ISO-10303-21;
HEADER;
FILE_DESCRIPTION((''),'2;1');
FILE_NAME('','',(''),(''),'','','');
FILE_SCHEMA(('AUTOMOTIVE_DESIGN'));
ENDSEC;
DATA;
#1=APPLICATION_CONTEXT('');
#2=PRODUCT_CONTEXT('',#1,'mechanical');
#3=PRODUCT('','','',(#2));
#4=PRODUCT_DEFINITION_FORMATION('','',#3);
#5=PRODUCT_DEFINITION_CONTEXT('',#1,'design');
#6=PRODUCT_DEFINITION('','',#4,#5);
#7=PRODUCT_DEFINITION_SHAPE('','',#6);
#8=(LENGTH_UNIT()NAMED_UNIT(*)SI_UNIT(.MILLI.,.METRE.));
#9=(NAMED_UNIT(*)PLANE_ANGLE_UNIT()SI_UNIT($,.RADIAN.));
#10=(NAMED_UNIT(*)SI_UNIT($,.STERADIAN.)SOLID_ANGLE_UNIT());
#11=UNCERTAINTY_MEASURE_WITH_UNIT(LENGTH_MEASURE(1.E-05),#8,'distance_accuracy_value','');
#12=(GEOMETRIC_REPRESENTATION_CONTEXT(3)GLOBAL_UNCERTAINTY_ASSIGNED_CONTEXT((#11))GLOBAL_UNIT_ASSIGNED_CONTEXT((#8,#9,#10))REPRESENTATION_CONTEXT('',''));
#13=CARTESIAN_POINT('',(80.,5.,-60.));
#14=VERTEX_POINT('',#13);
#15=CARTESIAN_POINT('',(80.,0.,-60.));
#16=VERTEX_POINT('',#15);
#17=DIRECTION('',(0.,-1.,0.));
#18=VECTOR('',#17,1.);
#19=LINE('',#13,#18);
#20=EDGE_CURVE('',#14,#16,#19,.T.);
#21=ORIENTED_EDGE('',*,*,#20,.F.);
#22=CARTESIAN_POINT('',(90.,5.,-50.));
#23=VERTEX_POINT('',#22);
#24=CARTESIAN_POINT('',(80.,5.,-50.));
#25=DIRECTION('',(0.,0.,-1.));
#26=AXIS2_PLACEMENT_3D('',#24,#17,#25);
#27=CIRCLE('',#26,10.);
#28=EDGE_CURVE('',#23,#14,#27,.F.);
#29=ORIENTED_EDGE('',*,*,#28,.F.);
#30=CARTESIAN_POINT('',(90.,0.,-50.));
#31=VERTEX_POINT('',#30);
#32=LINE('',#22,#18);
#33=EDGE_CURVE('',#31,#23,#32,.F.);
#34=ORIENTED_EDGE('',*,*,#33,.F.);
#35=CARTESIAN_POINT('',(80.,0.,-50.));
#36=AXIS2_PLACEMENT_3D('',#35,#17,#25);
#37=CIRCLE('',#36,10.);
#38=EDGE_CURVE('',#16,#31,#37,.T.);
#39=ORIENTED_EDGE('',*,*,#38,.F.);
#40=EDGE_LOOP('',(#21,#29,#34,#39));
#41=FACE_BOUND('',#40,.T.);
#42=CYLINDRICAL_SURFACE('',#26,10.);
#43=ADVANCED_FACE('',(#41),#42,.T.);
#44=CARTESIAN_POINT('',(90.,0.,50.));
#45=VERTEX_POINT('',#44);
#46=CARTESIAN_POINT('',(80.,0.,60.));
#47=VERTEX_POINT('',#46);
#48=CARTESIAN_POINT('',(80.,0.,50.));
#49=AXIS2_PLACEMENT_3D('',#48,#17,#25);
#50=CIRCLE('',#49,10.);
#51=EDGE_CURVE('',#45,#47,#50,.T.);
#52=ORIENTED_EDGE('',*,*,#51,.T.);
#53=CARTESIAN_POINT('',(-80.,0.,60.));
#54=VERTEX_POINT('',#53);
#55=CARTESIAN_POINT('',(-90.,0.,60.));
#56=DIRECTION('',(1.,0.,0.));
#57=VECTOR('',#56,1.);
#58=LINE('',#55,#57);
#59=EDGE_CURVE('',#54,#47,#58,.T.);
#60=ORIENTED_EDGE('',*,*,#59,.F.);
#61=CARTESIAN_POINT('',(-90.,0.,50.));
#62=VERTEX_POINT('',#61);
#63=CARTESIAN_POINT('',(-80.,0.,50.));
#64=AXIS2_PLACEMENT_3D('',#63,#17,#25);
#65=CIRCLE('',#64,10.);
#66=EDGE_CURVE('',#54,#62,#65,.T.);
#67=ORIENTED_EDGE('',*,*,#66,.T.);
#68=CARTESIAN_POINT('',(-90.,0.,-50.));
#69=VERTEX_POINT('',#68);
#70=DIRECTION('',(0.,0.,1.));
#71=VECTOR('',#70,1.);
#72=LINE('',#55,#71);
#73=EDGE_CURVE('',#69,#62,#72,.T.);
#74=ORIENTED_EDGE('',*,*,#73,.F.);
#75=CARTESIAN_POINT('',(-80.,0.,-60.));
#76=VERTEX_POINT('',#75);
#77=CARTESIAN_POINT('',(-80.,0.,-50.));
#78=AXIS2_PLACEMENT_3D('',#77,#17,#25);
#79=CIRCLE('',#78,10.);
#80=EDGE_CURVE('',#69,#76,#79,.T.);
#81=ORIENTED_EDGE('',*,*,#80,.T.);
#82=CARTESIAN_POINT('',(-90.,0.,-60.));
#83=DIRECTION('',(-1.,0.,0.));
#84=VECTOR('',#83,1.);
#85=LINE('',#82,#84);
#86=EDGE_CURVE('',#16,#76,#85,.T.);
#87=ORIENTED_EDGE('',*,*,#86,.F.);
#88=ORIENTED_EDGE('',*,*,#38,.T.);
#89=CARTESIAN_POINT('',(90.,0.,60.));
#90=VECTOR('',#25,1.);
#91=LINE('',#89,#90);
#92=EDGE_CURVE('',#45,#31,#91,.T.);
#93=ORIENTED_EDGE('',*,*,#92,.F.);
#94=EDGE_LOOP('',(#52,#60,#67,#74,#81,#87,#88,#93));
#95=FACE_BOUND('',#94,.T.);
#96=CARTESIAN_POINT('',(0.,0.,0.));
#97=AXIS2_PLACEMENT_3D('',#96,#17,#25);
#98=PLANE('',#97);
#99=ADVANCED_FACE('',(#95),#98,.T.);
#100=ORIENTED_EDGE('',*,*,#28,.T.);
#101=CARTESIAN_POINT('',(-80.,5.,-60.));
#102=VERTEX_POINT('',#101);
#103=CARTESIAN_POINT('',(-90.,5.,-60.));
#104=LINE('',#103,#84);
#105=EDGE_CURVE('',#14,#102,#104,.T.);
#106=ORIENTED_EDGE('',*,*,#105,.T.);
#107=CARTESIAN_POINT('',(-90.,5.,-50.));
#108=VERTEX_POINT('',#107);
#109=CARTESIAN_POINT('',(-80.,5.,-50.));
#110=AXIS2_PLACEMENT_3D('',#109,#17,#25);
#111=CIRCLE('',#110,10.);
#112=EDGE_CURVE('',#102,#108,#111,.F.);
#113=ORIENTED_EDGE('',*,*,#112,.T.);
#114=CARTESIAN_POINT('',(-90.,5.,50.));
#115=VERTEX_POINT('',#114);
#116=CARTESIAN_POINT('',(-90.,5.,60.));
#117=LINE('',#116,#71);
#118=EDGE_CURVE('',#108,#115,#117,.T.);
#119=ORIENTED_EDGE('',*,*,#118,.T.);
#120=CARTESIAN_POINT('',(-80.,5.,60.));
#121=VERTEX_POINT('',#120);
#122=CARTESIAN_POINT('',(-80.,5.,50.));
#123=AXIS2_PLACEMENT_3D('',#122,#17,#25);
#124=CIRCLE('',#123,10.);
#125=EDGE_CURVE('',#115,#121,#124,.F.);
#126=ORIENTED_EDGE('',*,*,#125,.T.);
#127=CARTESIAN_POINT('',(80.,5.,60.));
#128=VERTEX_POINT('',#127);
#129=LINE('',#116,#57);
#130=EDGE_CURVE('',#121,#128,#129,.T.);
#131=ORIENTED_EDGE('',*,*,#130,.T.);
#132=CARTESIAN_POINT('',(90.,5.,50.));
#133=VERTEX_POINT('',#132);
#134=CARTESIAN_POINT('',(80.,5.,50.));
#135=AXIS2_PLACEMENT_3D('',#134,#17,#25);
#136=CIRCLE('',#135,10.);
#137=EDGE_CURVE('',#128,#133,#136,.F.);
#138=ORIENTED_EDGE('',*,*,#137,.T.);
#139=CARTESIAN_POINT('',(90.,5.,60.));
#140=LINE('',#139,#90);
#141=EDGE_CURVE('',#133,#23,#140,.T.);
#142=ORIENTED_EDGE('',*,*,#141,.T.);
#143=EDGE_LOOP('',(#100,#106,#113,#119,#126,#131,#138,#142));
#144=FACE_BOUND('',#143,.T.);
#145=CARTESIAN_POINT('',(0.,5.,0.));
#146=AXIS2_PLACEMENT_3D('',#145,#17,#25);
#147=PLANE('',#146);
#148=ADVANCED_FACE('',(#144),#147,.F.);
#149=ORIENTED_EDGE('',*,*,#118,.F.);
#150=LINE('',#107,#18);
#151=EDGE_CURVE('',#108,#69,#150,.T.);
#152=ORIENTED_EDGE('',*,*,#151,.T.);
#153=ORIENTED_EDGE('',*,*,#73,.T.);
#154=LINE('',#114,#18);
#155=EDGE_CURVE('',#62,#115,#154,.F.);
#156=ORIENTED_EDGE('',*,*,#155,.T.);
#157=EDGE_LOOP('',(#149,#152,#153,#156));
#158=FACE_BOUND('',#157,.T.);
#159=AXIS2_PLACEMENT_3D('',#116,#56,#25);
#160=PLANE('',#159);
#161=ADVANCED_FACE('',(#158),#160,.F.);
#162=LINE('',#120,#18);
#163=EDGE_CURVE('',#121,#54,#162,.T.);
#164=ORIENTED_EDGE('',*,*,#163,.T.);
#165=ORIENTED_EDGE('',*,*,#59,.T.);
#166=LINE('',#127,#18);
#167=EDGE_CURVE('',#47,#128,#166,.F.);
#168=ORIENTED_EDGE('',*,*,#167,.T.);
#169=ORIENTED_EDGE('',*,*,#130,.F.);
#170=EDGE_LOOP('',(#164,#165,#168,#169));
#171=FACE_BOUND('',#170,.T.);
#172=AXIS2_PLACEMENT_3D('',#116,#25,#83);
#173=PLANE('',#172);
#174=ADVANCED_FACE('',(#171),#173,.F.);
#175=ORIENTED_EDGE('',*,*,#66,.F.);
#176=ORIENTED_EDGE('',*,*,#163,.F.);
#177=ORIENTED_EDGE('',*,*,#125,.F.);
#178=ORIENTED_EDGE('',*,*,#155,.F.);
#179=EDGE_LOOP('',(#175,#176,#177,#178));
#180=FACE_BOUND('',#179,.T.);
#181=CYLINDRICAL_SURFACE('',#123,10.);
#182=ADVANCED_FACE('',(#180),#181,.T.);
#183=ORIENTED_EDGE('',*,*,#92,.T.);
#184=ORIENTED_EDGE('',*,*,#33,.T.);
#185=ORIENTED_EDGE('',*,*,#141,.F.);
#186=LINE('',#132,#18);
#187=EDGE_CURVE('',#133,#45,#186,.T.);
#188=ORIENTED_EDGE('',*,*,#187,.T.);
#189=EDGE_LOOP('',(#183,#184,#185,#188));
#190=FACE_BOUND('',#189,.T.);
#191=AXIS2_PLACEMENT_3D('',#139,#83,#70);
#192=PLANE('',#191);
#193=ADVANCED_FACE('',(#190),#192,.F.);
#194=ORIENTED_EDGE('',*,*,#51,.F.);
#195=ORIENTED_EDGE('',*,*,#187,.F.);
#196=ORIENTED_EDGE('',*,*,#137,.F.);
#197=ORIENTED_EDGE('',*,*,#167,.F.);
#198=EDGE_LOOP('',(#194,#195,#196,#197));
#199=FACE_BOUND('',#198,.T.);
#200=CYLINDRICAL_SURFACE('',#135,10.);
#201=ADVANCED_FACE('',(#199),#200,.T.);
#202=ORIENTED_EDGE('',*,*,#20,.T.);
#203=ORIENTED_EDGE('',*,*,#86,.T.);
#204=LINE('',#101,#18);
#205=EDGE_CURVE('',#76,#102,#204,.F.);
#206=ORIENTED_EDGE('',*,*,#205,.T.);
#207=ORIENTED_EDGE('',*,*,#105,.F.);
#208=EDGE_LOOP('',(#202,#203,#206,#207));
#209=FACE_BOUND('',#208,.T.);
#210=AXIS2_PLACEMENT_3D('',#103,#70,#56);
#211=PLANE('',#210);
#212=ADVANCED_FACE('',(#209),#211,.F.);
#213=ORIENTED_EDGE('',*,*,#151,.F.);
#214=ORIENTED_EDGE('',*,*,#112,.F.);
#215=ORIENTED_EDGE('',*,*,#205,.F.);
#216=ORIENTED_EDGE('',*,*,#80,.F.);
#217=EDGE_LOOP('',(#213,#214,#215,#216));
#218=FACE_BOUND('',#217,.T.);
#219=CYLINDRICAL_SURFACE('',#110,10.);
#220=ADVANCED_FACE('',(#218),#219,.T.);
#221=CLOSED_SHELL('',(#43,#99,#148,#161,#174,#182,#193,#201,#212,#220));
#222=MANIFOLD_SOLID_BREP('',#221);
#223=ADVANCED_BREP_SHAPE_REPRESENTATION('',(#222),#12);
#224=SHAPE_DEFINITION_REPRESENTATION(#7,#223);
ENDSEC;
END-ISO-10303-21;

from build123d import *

# Parameters (mm, degrees)
SKETCH1_W           = 180
SKETCH1_H           = 120
BOSS_EXTRUDE1_DEPTH = 5
FILLET1_R           = 10
FILLET2_R           = 10
FILLET3_R           = 10
FILLET4_R           = 10


with BuildPart() as part:
    # Sketch1 → Boss-Extrude1 (new body)
    with BuildSketch(Plane(origin=(0, 0, 0), x_dir=(1, 0, 0), z_dir=(0, 1, 0))):
        Rectangle(SKETCH1_W, SKETCH1_H)
    extrude(amount=BOSS_EXTRUDE1_DEPTH)

    # Fillet1
    fillet1_edges = [part.edges().sort_by_distance(p)[0] for p in [
        (-90, 2.5, -60),
    ]]
    fillet(fillet1_edges, radius=FILLET1_R)

    # Fillet2
    fillet2_edges = [part.edges().sort_by_distance(p)[0] for p in [
        (-90, 2.5, 60),
    ]]
    fillet(fillet2_edges, radius=FILLET2_R)

    # Fillet3
    fillet3_edges = [part.edges().sort_by_distance(p)[0] for p in [
        (90, 2.5, 60),
    ]]
    fillet(fillet3_edges, radius=FILLET3_R)

    # Fillet4
    fillet4_edges = [part.edges().sort_by_distance(p)[0] for p in [
        (90, 2.5, -60),
    ]]
    fillet(fillet4_edges, radius=FILLET4_R)


solid = part.part
